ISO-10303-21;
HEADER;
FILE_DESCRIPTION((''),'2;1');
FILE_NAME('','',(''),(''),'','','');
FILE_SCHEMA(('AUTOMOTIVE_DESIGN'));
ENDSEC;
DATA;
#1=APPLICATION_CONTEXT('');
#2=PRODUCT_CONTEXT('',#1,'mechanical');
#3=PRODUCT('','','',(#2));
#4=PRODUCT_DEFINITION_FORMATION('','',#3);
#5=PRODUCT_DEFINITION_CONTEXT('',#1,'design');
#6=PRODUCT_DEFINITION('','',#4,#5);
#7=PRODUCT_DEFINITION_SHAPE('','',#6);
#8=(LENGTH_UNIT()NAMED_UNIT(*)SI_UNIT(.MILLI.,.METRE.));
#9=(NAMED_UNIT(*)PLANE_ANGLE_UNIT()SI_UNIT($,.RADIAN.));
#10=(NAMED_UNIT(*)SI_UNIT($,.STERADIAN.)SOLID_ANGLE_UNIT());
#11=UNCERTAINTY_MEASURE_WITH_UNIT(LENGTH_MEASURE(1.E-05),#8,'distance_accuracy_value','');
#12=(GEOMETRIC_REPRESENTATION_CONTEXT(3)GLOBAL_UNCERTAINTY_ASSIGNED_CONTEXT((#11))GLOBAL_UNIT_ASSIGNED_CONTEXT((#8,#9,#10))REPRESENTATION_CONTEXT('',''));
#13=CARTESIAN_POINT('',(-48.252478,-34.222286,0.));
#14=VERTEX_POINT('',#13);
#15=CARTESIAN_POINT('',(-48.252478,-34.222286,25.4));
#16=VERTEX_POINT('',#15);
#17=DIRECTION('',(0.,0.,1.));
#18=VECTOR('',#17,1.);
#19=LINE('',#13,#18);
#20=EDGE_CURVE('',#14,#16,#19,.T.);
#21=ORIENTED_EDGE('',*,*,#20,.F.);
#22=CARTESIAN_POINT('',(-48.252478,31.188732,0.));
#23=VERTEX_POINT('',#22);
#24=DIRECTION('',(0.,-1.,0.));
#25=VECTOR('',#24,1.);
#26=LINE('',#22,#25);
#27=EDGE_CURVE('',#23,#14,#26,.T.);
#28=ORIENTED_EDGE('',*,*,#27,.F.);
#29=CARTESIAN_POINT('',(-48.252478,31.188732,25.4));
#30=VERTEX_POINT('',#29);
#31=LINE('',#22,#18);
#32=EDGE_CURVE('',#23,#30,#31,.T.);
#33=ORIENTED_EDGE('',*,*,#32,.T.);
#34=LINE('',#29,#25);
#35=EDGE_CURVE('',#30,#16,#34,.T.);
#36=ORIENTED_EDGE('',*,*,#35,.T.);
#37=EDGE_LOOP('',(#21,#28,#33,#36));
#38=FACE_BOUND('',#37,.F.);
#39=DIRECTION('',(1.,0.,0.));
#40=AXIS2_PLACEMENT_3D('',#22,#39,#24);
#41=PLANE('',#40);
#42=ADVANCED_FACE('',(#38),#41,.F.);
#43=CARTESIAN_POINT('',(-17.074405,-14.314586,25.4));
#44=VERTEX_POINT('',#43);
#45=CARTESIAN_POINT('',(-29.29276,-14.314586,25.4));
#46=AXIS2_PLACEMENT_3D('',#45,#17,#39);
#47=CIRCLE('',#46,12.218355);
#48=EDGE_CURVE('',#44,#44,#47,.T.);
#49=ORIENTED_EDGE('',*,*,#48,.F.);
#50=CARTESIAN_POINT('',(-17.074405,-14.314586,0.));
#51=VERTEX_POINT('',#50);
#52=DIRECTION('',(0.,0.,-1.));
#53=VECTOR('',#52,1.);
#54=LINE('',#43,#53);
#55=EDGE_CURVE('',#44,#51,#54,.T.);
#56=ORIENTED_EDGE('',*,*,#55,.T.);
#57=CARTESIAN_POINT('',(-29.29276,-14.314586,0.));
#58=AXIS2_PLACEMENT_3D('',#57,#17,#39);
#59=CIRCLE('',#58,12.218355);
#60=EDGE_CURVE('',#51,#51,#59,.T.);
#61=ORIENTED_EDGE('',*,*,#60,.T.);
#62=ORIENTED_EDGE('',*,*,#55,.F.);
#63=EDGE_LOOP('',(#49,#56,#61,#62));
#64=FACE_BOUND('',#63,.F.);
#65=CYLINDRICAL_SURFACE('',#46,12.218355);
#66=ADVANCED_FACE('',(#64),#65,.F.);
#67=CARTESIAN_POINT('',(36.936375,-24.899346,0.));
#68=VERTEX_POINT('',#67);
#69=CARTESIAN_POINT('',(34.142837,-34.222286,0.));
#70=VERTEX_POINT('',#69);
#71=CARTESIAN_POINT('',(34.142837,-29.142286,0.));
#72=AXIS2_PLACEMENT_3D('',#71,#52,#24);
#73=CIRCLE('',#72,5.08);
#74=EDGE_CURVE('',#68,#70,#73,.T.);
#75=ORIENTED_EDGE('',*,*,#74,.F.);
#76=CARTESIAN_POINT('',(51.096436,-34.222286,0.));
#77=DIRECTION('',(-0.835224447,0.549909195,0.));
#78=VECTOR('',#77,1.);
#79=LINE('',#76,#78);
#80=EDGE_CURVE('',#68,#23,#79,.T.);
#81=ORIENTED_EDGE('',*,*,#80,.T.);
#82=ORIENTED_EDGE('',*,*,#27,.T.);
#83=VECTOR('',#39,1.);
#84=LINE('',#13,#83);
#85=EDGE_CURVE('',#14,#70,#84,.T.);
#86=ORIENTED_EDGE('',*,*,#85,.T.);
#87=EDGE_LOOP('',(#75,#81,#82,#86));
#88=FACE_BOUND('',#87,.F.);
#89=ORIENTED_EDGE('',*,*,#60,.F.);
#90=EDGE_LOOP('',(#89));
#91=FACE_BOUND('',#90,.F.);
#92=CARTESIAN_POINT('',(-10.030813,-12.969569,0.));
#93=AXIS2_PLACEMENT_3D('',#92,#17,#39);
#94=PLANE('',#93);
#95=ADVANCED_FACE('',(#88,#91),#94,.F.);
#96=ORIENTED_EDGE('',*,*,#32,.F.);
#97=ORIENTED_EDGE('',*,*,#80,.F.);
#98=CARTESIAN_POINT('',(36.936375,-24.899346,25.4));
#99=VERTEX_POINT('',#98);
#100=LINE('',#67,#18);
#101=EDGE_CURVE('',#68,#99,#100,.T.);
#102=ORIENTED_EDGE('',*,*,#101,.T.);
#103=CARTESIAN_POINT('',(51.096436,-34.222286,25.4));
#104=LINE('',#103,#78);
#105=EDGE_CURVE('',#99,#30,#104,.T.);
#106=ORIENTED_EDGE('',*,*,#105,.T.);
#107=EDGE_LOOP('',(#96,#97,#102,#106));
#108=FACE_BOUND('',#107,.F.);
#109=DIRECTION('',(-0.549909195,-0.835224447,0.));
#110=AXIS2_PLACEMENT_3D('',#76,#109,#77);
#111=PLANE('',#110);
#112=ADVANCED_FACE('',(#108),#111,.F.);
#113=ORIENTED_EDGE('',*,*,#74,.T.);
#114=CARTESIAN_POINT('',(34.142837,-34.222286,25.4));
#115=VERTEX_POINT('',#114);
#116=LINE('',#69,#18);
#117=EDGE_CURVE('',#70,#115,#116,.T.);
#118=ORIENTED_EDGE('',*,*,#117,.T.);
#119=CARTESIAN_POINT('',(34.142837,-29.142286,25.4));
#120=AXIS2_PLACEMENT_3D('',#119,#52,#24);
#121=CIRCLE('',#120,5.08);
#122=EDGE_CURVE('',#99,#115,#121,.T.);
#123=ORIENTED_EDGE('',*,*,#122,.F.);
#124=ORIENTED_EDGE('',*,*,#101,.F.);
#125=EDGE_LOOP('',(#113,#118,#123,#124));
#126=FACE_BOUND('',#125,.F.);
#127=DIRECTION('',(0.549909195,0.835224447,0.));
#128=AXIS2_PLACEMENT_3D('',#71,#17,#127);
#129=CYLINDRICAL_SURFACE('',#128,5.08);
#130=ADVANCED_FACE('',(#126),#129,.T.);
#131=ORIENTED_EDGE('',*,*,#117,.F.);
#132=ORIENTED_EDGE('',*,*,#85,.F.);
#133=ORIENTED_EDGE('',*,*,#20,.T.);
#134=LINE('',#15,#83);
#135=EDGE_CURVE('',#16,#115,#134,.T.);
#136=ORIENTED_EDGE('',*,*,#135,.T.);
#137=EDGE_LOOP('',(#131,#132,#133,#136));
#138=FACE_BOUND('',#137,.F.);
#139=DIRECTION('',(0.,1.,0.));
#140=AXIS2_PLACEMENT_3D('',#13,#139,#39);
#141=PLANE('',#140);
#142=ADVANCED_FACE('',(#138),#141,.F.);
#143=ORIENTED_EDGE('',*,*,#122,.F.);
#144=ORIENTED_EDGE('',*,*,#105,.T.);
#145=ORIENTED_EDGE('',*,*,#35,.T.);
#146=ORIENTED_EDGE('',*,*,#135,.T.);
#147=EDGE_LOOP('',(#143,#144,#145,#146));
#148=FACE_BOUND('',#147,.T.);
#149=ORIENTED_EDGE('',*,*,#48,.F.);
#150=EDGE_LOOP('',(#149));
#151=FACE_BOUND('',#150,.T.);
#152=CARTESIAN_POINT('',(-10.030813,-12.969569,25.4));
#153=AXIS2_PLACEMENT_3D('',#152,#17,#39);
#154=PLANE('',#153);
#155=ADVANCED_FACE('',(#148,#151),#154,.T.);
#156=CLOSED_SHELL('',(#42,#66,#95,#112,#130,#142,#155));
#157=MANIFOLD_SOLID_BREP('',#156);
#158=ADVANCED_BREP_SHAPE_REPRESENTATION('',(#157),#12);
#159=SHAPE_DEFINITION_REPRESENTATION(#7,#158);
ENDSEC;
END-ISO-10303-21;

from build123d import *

# Parameters (mm, degrees)
F1_DEPTH = 25.4
F2_R     = 5.08
F3_R     = 12.218355
F4_DEPTH = 25.4


with BuildPart() as f1:
    # F0 (on Top) → F1 (new body)
    with BuildSketch(Plane.XY):
        Polygon((51.096436, -34.222286), (-48.252478, 31.188732), (-48.252478, -34.222286), align=None)
    extrude(amount=F1_DEPTH)

    # F2
    f2_edges = [f1.edges().sort_by_distance(p)[0] for p in [
        (51.096436, -34.222286, 12.7),
    ]]
    fillet(f2_edges, radius=F2_R)

    # F3 (on face) → F4 (cut)
    with BuildSketch(Plane.XY.offset(25.4)):
        with Locations((-29.29276, -14.314586)):
            Circle(F3_R)
    extrude(amount=-F4_DEPTH, mode=Mode.SUBTRACT)


solid = f1.part
